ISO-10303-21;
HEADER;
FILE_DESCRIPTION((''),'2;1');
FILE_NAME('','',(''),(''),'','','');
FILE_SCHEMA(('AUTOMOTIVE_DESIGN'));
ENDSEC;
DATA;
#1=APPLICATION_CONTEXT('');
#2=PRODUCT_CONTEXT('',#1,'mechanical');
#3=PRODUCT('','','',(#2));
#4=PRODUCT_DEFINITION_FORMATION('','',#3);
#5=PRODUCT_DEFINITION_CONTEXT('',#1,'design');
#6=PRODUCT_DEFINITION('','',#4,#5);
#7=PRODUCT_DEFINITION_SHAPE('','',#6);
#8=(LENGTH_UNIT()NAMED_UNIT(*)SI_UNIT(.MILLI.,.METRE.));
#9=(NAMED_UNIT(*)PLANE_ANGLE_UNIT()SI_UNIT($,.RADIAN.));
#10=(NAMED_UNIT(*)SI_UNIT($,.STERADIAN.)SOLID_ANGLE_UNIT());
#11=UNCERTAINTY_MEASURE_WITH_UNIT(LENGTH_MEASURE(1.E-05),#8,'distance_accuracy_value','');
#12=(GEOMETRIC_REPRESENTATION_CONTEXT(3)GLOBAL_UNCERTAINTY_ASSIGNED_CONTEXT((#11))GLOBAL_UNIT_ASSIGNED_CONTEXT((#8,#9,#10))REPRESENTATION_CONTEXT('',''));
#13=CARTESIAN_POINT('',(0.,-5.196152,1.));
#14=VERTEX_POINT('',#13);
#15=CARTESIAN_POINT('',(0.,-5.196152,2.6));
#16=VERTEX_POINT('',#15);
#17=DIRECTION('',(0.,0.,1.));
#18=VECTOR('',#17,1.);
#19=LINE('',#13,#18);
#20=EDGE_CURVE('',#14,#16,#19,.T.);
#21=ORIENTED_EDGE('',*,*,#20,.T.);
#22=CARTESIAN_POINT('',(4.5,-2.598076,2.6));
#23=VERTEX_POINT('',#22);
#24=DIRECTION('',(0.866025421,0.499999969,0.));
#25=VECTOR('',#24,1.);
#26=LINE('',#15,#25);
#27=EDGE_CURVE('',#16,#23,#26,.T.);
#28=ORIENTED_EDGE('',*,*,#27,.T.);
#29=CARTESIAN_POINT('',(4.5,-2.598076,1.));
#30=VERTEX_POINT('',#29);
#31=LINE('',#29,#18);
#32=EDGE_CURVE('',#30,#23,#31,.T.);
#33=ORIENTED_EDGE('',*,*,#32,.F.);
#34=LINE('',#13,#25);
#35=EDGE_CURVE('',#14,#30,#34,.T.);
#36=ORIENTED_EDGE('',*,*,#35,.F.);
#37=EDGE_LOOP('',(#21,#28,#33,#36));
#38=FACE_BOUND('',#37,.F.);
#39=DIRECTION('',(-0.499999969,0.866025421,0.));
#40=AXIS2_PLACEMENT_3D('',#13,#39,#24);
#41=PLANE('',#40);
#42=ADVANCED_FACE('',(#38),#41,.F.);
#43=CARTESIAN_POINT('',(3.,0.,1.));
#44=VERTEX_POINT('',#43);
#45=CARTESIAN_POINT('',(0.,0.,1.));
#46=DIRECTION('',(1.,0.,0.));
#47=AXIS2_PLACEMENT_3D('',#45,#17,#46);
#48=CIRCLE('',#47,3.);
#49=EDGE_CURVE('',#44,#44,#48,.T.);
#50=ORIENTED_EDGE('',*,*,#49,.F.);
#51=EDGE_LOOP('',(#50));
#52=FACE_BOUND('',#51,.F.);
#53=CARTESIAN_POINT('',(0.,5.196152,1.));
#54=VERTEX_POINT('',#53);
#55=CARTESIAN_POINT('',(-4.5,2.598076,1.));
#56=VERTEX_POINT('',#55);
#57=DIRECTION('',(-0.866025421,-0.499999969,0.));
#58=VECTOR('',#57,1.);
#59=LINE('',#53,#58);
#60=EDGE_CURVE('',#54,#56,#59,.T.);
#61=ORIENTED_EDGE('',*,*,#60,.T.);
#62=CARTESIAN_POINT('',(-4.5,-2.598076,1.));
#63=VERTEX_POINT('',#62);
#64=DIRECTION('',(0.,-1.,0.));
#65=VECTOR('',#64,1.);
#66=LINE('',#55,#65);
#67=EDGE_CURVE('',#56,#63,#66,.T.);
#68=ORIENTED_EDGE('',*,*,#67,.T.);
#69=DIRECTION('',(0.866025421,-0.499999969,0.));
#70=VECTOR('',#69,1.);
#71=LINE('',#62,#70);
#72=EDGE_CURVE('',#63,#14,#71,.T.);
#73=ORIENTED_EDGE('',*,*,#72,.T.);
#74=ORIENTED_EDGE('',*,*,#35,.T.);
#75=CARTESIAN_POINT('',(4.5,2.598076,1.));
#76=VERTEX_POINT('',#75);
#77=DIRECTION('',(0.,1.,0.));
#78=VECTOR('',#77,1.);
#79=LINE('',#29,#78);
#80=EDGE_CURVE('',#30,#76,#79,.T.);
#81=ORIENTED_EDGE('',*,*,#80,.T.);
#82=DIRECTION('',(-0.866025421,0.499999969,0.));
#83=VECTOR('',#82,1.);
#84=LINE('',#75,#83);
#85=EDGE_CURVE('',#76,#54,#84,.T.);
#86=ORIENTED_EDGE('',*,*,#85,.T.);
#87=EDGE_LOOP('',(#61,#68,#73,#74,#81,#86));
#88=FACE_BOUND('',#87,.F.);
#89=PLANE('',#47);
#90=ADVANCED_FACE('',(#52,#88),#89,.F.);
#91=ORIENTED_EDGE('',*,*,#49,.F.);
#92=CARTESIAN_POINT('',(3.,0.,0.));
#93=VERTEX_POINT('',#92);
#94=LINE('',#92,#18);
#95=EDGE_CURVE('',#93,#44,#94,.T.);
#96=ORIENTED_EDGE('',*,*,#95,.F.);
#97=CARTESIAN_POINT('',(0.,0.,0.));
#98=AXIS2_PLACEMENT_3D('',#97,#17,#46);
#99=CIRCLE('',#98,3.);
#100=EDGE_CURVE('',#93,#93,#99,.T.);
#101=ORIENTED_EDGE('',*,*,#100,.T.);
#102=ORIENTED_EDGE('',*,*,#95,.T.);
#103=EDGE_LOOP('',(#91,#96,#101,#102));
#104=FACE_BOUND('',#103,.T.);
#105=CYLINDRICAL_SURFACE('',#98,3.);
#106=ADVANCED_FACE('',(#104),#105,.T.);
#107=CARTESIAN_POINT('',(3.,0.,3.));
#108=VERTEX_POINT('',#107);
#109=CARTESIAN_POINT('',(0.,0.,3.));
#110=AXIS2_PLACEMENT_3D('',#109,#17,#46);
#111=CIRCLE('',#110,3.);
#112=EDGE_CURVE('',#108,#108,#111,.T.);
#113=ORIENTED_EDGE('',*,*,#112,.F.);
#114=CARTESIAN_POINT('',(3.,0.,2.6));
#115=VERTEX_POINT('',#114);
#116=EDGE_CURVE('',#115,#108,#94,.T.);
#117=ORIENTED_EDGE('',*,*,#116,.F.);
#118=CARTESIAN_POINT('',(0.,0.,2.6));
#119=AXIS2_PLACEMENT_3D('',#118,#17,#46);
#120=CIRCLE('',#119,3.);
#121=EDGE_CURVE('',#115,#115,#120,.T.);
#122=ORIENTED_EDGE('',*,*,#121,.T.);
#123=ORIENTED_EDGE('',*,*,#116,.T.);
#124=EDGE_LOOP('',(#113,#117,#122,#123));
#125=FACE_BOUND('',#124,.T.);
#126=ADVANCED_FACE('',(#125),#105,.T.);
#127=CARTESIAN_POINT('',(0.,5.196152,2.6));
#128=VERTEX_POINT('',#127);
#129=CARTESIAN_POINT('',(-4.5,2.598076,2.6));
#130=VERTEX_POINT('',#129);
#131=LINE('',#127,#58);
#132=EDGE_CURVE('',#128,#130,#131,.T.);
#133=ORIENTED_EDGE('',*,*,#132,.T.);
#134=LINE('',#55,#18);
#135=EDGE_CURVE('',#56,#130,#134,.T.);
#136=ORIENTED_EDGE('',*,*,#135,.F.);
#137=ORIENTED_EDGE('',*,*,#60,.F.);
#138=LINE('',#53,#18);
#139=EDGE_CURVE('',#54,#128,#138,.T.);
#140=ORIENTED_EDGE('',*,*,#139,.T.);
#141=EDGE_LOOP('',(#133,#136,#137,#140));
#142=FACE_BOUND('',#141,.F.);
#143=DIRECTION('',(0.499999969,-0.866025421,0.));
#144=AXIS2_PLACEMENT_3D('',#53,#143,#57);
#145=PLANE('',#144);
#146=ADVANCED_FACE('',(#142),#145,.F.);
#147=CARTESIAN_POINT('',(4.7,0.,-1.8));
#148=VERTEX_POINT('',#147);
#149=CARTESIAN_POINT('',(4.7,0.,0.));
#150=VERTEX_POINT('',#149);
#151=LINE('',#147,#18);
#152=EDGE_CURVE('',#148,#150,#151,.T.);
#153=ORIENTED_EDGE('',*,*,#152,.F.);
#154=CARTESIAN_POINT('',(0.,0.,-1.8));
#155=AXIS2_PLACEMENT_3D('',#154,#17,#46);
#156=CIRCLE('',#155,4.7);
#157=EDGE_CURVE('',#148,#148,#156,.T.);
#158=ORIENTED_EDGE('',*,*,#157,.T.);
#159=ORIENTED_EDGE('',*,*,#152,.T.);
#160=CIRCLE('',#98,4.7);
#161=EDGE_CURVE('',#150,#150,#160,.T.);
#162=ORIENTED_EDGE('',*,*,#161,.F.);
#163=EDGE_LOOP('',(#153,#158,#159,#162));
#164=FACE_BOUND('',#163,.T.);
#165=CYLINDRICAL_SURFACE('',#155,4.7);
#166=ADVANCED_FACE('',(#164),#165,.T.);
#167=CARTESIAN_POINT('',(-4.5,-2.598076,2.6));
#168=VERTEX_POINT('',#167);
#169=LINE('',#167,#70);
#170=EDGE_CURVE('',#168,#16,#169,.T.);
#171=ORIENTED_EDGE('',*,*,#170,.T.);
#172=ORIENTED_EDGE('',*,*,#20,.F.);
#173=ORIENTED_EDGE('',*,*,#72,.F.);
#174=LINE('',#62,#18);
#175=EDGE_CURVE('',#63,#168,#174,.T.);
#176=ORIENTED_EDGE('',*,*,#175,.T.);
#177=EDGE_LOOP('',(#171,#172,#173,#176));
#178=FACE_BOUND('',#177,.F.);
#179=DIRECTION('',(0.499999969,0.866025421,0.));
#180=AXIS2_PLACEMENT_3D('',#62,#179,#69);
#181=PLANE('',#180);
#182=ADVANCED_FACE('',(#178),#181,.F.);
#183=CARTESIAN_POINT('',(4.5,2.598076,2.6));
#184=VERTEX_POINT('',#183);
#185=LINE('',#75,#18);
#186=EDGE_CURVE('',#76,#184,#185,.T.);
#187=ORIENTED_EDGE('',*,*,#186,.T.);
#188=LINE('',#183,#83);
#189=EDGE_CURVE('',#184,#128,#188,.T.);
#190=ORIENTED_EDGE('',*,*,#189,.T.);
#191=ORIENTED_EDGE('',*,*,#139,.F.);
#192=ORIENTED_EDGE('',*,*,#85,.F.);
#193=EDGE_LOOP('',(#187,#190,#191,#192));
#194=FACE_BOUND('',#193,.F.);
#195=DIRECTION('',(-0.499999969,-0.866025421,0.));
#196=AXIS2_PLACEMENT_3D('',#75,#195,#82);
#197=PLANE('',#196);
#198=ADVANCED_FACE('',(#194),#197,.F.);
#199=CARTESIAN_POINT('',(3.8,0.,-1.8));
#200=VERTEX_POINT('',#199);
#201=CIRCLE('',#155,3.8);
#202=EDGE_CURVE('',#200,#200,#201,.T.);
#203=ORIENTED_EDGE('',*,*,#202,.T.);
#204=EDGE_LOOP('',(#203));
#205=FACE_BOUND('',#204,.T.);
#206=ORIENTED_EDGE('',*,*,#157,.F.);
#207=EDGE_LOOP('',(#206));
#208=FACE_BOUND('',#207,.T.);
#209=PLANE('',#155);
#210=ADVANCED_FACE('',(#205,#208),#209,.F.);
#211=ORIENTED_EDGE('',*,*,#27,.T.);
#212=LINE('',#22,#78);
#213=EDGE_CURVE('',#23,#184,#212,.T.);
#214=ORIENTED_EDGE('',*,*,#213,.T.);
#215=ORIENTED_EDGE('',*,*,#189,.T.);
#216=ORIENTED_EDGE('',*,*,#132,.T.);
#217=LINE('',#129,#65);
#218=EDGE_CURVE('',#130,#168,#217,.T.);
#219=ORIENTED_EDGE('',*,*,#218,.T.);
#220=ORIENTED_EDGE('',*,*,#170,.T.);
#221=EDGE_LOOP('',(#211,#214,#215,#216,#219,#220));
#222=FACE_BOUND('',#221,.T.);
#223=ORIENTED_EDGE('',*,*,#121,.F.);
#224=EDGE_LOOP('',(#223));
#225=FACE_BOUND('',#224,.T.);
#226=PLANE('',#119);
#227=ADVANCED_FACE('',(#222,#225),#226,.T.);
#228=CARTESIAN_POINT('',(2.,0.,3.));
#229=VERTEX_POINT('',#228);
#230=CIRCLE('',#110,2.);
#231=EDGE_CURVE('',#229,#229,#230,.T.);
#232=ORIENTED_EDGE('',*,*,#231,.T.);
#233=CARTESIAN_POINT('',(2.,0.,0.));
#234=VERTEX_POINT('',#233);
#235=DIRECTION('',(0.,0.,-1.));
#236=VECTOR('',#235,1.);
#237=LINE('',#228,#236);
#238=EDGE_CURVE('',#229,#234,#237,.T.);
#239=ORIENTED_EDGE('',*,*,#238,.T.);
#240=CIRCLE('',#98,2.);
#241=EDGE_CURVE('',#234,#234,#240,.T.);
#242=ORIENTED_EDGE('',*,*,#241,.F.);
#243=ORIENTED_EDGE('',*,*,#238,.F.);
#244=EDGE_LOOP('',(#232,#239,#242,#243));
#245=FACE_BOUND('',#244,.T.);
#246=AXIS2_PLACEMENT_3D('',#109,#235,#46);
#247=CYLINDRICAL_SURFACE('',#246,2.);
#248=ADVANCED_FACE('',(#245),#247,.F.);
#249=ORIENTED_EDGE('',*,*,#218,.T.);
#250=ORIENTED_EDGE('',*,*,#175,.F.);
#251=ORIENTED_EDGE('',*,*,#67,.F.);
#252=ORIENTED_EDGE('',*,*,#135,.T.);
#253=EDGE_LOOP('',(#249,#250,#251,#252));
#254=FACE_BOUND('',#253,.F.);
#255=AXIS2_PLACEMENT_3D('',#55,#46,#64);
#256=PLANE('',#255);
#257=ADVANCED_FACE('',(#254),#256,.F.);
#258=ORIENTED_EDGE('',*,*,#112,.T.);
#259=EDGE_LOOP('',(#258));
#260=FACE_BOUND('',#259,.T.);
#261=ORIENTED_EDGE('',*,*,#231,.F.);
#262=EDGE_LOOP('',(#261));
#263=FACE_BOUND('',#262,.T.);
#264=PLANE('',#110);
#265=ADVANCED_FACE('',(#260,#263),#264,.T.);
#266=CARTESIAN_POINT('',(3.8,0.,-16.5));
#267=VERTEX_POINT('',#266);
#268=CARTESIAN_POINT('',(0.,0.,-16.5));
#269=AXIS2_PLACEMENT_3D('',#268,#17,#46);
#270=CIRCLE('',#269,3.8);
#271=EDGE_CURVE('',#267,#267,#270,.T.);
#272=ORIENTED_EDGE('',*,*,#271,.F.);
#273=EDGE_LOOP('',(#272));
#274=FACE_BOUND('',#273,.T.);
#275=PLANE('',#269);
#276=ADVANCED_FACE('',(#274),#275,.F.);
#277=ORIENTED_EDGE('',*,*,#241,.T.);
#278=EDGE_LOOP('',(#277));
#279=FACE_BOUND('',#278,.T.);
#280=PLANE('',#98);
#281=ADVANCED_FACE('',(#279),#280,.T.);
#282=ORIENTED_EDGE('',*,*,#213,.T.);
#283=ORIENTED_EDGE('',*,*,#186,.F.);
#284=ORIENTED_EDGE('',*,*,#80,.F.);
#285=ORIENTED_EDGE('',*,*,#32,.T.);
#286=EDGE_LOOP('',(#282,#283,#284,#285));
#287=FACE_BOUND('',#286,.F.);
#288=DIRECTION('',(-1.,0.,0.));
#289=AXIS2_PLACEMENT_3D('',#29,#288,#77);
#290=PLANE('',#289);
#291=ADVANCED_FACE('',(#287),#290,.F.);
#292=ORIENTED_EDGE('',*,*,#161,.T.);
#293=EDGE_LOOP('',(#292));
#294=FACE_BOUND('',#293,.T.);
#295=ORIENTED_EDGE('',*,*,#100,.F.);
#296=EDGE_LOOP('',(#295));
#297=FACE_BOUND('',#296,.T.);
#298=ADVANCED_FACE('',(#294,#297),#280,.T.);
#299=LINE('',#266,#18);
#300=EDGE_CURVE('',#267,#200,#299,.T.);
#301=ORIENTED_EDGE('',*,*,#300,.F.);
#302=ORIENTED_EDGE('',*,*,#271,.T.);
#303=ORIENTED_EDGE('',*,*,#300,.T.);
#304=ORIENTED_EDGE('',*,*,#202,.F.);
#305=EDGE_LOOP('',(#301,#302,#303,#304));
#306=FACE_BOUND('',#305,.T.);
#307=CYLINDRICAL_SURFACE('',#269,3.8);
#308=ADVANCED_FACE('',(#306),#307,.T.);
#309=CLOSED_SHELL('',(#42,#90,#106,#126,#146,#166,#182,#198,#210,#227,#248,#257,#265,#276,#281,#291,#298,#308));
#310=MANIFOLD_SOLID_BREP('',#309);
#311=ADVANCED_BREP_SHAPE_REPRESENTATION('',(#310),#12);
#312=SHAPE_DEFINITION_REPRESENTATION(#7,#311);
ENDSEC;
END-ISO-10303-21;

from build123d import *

# Parameters (mm, degrees)
F3_R     = 2
F4_DEPTH = 1.6


with BuildPart() as f1:
    # F0 (on Front) → F1 (revolve)
    with BuildSketch(Plane.XZ):
        Polygon((2, 0), (0, 0), (0, -16.5), (3.8, -16.5), (3.8, -1.8), (4.7, -1.8), (4.7, 0), (3, 0), (3, 3), (2, 3), align=None)
    revolve(axis=Axis((0, 0, -8.25), (0, 0, 1)))

    # F3 (on offset) → F4 (join)
    with BuildSketch(Plane.XY.offset(1)):
        Polygon((4.5, -2.598076), (4.5, 2.598076), (0, 5.196152), (-4.5, 2.598076), (-4.5, -2.598076), (0, -5.196152), align=None)
        Circle(F3_R, mode=Mode.SUBTRACT)
    extrude(amount=F4_DEPTH)


solid = f1.part
